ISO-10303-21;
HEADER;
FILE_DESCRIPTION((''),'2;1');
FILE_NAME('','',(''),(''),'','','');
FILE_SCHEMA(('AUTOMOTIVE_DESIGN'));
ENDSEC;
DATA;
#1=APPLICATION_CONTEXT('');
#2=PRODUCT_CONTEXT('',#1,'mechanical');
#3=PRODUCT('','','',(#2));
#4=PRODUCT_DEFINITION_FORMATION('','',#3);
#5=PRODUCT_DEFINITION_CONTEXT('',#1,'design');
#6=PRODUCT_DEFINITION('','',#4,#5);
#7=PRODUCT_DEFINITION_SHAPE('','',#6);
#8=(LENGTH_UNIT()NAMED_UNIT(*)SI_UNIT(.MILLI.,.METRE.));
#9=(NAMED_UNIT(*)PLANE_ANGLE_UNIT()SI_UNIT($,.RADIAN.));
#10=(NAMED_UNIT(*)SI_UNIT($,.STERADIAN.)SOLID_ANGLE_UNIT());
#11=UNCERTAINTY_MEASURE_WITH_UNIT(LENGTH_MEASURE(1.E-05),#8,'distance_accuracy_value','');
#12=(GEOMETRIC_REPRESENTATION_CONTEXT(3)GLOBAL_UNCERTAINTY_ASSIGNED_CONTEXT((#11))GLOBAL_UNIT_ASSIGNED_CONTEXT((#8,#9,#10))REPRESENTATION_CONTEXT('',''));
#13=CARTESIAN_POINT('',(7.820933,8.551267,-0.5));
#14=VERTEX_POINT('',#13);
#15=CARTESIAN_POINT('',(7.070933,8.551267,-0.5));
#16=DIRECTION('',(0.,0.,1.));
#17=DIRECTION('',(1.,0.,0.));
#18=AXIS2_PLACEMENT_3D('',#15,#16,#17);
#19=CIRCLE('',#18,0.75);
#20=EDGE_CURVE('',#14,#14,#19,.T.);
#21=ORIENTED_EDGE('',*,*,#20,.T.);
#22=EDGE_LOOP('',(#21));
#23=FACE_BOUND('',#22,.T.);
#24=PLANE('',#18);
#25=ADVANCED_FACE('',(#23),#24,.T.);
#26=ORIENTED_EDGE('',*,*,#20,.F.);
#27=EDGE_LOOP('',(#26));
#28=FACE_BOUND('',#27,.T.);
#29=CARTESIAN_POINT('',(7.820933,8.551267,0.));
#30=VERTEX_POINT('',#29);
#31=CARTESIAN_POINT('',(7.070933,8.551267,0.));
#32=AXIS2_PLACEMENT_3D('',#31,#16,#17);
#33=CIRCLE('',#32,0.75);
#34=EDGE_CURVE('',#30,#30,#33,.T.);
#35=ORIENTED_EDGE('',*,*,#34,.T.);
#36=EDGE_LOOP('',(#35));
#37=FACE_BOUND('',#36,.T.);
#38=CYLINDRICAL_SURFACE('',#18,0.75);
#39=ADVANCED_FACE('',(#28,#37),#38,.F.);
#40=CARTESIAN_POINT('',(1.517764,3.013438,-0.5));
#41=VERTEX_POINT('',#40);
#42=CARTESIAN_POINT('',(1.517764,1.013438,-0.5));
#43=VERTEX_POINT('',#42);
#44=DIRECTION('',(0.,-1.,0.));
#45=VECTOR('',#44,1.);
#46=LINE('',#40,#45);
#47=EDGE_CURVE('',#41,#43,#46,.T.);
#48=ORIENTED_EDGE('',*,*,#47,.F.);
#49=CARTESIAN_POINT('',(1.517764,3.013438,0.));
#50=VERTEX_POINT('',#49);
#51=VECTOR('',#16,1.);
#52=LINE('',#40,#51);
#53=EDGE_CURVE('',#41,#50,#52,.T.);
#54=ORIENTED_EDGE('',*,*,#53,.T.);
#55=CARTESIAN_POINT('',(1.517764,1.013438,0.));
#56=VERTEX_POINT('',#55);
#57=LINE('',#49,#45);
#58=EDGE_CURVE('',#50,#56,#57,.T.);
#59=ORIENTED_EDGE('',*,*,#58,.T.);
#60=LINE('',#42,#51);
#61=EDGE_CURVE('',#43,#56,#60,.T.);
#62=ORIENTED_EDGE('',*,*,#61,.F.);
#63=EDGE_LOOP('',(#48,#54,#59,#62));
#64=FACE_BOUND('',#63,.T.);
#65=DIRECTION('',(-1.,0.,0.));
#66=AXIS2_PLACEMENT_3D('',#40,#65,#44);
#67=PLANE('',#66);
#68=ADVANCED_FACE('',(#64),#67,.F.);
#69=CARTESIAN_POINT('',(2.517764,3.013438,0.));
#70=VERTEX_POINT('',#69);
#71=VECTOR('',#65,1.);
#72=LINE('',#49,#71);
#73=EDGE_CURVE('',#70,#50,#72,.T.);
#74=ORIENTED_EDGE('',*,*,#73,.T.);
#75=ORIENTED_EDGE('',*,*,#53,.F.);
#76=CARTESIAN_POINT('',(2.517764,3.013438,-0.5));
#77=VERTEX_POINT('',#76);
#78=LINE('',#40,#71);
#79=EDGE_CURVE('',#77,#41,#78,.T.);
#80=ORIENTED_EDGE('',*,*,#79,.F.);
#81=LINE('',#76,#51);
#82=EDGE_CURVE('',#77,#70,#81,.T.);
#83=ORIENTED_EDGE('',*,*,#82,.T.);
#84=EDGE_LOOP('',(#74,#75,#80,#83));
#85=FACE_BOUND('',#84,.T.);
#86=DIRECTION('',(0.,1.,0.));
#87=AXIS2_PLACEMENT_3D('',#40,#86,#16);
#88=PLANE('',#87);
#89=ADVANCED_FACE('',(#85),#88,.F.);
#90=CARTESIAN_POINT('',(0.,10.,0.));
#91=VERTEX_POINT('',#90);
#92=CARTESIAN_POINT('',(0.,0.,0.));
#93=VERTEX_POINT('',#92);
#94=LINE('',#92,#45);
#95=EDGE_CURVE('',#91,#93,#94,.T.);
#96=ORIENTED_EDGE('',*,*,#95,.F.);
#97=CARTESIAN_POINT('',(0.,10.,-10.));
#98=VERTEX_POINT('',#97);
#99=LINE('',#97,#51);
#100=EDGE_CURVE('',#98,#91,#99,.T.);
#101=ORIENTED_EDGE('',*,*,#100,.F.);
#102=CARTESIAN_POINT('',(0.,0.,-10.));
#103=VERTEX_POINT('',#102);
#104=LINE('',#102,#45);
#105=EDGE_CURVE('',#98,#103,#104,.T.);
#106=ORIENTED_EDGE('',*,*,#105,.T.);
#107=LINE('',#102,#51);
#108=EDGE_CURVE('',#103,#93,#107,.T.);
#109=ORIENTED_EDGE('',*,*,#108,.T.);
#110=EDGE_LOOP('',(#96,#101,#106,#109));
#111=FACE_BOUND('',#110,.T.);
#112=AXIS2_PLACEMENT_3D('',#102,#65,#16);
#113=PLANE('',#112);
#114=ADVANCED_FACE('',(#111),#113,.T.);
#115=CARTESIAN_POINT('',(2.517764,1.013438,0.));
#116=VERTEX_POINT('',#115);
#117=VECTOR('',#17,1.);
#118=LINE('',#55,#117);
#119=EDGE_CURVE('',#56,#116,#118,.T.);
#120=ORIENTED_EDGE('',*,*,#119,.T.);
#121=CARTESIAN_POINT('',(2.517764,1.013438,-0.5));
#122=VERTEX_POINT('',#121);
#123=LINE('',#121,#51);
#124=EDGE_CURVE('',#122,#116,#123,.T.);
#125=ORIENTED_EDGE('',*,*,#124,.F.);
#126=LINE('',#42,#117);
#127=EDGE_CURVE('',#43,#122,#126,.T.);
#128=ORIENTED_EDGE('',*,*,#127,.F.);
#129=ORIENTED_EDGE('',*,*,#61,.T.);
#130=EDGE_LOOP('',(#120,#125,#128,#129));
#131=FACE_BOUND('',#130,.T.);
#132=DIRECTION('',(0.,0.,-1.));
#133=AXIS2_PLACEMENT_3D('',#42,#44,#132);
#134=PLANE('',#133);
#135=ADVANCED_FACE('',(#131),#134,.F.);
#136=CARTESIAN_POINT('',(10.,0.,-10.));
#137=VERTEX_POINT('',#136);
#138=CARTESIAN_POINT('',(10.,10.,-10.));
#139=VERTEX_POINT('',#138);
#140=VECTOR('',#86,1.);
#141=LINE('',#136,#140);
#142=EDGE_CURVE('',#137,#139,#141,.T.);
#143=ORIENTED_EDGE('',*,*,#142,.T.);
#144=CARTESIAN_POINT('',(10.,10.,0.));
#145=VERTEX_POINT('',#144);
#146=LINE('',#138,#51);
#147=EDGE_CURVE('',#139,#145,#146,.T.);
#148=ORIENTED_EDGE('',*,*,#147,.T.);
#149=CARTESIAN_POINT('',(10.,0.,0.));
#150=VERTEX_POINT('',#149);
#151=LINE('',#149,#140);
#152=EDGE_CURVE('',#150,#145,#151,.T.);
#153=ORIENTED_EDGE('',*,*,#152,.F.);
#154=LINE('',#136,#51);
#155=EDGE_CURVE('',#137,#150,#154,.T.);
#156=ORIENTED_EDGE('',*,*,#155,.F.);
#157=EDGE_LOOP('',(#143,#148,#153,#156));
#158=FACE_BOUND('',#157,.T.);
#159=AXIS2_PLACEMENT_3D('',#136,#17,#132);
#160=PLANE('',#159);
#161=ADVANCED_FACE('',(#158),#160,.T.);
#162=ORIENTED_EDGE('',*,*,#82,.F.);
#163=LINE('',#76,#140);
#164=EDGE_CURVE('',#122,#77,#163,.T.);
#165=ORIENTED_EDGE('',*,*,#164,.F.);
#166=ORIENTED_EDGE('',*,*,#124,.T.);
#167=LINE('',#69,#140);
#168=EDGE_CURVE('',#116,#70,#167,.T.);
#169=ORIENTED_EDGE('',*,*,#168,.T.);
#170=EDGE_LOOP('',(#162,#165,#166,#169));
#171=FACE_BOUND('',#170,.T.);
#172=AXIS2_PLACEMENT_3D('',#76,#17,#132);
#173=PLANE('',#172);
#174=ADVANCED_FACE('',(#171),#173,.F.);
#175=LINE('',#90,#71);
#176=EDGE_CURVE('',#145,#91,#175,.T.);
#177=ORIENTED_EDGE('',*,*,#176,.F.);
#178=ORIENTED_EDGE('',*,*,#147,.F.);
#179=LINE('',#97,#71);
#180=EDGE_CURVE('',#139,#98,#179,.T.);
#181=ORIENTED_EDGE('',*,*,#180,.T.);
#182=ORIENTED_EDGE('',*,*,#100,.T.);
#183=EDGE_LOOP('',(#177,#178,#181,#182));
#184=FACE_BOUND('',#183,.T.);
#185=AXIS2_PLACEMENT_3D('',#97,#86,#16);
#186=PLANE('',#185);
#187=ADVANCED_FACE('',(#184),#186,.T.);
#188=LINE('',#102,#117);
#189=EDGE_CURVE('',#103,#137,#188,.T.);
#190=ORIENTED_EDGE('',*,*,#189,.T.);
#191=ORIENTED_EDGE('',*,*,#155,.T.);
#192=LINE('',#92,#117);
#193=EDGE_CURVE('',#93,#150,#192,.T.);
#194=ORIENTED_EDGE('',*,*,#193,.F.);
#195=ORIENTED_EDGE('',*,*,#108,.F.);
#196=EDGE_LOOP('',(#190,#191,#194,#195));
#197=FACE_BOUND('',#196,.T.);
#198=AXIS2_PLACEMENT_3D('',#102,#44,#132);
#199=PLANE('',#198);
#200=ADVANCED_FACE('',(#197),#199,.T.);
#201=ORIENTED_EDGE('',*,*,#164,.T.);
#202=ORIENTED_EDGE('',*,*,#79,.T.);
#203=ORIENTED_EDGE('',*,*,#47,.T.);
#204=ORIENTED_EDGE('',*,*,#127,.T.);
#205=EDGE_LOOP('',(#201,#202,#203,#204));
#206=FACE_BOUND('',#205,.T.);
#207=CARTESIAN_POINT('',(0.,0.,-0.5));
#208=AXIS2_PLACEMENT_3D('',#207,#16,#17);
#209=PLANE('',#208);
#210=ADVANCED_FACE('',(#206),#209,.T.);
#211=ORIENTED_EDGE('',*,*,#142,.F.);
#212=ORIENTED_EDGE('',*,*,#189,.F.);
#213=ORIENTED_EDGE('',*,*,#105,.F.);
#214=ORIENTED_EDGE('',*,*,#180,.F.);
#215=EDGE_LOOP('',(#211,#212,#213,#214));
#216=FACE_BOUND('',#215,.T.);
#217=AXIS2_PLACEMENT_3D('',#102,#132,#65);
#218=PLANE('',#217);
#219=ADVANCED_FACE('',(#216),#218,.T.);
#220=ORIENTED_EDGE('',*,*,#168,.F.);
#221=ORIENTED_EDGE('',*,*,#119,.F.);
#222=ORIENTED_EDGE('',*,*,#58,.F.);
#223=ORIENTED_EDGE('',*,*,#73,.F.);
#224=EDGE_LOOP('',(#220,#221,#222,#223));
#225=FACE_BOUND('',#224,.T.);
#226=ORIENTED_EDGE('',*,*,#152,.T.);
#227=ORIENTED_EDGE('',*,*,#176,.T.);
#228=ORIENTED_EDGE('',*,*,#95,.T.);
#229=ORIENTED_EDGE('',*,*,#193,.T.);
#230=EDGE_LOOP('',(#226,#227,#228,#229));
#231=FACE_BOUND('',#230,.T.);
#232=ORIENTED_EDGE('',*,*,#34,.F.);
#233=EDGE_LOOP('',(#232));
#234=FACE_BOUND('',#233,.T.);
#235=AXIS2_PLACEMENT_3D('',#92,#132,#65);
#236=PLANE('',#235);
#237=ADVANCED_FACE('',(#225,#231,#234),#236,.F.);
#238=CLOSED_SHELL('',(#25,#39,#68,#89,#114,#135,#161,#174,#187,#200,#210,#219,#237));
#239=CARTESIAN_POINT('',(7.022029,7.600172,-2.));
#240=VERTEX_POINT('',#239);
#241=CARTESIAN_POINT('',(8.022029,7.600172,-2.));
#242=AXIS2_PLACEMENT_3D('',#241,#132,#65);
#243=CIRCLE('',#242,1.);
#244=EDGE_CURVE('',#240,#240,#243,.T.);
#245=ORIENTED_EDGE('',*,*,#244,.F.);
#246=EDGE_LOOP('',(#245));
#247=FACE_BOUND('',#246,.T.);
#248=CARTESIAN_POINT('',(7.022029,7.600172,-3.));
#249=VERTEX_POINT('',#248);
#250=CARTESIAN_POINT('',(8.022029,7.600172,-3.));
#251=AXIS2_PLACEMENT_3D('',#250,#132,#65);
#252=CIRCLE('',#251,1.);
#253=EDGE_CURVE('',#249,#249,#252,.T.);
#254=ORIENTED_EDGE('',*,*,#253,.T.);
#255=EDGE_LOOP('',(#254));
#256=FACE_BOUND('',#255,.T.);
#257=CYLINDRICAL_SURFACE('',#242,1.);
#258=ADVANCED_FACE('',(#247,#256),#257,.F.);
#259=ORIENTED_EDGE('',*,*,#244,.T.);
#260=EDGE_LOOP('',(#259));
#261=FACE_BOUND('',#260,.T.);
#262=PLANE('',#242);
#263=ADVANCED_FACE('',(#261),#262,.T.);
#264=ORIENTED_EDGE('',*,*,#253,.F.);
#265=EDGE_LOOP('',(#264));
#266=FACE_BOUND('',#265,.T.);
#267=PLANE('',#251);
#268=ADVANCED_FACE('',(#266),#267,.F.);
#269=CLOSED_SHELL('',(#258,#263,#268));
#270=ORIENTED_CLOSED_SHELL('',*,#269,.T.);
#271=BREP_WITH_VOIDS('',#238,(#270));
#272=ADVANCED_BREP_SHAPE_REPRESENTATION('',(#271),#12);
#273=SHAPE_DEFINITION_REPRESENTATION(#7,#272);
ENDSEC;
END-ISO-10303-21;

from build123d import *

# Parameters (mm, degrees)
SKETCH1_W           = 10
SKETCH1_H           = 10
BOSS_EXTRUDE1_DEPTH = 10
SKETCH3_R           = 1
CUT_EXTRUDE1_DEPTH  = 1
SKETCH4_W           = 1
SKETCH4_H           = 2
CUT_EXTRUDE2_DEPTH  = 0.5
SKETCH5_R           = 0.75
CUT_EXTRUDE3_DEPTH  = 0.5


with BuildPart() as part:
    # Sketch1 → Boss-Extrude1 (new body)
    with BuildSketch(Plane.XY):
        with Locations((5, 5)):
            Rectangle(SKETCH1_W, SKETCH1_H)
    extrude(amount=-BOSS_EXTRUDE1_DEPTH)

    # Sketch3 → Cut-Extrude1 (cut)
    with BuildSketch(Plane(origin=(0, 0, -3), x_dir=(-1, 0, 0), z_dir=(0, 0, -1))):
        with Locations((-8.022028726, 7.600171924)):
            Circle(SKETCH3_R)
    extrude(amount=-CUT_EXTRUDE1_DEPTH, mode=Mode.SUBTRACT)

    # Sketch4 → Cut-Extrude2 (cut)
    with BuildSketch(Plane.XY):
        with Locations((2.017763854, 2.01343797)):
            Rectangle(SKETCH4_W, SKETCH4_H)
    extrude(amount=-CUT_EXTRUDE2_DEPTH, mode=Mode.SUBTRACT)

    # Sketch5 → Cut-Extrude3 (cut)
    with BuildSketch(Plane.XY):
        with Locations((7.070933391, 8.551267259)):
            Circle(SKETCH5_R)
    extrude(amount=-CUT_EXTRUDE3_DEPTH, mode=Mode.SUBTRACT)


solid = part.part
